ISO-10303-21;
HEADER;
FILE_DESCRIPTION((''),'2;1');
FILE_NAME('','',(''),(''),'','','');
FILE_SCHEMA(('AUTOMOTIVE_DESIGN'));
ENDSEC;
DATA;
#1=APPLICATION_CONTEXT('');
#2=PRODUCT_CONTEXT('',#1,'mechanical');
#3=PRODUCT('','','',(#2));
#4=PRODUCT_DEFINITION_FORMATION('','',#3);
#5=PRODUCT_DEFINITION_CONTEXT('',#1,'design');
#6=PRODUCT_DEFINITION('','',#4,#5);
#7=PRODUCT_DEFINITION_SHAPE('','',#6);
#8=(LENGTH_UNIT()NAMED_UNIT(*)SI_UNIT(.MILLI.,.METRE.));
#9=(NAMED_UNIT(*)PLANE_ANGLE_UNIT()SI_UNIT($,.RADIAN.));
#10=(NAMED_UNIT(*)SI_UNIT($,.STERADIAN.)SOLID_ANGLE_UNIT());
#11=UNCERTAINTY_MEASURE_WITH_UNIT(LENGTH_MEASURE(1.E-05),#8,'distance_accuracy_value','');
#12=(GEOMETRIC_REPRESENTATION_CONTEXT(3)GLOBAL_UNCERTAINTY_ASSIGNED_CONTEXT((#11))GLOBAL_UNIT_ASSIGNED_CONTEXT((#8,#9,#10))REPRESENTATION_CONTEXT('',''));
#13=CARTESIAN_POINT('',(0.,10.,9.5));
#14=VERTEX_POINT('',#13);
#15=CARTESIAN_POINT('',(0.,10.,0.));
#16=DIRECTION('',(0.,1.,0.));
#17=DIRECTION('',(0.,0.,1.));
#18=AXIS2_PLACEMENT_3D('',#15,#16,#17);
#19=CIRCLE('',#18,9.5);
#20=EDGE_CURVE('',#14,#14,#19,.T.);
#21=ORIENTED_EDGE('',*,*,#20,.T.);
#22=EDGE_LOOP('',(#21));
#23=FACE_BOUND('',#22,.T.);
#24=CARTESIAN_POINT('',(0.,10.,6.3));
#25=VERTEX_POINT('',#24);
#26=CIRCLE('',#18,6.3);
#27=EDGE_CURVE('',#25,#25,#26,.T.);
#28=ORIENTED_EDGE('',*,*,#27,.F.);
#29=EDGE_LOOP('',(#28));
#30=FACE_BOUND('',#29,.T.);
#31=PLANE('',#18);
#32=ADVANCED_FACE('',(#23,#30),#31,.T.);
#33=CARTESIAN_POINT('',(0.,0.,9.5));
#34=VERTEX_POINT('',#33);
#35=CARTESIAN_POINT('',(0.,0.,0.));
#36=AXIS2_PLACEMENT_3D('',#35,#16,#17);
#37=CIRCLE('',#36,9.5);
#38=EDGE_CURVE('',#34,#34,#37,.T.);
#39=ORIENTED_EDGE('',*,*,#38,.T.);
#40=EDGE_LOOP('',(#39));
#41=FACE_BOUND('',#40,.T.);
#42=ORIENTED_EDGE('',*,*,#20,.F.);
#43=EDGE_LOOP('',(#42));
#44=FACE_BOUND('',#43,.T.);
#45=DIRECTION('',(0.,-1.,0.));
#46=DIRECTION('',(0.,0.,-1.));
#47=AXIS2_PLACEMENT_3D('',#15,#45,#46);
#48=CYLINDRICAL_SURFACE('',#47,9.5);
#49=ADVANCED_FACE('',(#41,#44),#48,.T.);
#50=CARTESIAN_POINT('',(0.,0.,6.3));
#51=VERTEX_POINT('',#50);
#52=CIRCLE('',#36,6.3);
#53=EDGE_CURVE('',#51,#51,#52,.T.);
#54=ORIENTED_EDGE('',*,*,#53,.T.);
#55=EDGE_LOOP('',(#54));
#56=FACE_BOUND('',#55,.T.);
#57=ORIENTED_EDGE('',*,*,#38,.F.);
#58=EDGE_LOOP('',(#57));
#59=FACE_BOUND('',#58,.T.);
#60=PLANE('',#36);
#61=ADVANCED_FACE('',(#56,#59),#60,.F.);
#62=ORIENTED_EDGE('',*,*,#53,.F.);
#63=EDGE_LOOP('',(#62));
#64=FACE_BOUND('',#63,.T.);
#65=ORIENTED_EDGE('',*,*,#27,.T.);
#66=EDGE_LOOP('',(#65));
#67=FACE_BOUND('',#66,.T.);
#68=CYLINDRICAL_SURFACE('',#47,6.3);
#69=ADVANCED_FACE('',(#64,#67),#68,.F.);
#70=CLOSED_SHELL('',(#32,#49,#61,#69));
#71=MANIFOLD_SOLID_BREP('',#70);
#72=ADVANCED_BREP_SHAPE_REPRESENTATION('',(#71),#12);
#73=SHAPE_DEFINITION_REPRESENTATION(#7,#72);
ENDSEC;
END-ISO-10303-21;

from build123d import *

# Parameters (mm, degrees)
SKETCH1_R           = 9.5
SKETCH1_R_2         = 6.3
BOSS_EXTRUDE1_DEPTH = 10


with BuildPart() as part:
    # Sketch1 → Boss-Extrude1 (new body)
    with BuildSketch(Plane(origin=(0, 0, 0), x_dir=(1, 0, 0), z_dir=(0, 1, 0))):
        with Locations(Location((0, 0, 0), (0, 0, 270))):  # turned: the seam where the file's is
            Circle(SKETCH1_R)
        with Locations(Location((0, 0, 0), (0, 0, 270))):  # turned: the seam where the file's is
            Circle(SKETCH1_R_2, mode=Mode.SUBTRACT)
    extrude(amount=BOSS_EXTRUDE1_DEPTH)


solid = part.part
